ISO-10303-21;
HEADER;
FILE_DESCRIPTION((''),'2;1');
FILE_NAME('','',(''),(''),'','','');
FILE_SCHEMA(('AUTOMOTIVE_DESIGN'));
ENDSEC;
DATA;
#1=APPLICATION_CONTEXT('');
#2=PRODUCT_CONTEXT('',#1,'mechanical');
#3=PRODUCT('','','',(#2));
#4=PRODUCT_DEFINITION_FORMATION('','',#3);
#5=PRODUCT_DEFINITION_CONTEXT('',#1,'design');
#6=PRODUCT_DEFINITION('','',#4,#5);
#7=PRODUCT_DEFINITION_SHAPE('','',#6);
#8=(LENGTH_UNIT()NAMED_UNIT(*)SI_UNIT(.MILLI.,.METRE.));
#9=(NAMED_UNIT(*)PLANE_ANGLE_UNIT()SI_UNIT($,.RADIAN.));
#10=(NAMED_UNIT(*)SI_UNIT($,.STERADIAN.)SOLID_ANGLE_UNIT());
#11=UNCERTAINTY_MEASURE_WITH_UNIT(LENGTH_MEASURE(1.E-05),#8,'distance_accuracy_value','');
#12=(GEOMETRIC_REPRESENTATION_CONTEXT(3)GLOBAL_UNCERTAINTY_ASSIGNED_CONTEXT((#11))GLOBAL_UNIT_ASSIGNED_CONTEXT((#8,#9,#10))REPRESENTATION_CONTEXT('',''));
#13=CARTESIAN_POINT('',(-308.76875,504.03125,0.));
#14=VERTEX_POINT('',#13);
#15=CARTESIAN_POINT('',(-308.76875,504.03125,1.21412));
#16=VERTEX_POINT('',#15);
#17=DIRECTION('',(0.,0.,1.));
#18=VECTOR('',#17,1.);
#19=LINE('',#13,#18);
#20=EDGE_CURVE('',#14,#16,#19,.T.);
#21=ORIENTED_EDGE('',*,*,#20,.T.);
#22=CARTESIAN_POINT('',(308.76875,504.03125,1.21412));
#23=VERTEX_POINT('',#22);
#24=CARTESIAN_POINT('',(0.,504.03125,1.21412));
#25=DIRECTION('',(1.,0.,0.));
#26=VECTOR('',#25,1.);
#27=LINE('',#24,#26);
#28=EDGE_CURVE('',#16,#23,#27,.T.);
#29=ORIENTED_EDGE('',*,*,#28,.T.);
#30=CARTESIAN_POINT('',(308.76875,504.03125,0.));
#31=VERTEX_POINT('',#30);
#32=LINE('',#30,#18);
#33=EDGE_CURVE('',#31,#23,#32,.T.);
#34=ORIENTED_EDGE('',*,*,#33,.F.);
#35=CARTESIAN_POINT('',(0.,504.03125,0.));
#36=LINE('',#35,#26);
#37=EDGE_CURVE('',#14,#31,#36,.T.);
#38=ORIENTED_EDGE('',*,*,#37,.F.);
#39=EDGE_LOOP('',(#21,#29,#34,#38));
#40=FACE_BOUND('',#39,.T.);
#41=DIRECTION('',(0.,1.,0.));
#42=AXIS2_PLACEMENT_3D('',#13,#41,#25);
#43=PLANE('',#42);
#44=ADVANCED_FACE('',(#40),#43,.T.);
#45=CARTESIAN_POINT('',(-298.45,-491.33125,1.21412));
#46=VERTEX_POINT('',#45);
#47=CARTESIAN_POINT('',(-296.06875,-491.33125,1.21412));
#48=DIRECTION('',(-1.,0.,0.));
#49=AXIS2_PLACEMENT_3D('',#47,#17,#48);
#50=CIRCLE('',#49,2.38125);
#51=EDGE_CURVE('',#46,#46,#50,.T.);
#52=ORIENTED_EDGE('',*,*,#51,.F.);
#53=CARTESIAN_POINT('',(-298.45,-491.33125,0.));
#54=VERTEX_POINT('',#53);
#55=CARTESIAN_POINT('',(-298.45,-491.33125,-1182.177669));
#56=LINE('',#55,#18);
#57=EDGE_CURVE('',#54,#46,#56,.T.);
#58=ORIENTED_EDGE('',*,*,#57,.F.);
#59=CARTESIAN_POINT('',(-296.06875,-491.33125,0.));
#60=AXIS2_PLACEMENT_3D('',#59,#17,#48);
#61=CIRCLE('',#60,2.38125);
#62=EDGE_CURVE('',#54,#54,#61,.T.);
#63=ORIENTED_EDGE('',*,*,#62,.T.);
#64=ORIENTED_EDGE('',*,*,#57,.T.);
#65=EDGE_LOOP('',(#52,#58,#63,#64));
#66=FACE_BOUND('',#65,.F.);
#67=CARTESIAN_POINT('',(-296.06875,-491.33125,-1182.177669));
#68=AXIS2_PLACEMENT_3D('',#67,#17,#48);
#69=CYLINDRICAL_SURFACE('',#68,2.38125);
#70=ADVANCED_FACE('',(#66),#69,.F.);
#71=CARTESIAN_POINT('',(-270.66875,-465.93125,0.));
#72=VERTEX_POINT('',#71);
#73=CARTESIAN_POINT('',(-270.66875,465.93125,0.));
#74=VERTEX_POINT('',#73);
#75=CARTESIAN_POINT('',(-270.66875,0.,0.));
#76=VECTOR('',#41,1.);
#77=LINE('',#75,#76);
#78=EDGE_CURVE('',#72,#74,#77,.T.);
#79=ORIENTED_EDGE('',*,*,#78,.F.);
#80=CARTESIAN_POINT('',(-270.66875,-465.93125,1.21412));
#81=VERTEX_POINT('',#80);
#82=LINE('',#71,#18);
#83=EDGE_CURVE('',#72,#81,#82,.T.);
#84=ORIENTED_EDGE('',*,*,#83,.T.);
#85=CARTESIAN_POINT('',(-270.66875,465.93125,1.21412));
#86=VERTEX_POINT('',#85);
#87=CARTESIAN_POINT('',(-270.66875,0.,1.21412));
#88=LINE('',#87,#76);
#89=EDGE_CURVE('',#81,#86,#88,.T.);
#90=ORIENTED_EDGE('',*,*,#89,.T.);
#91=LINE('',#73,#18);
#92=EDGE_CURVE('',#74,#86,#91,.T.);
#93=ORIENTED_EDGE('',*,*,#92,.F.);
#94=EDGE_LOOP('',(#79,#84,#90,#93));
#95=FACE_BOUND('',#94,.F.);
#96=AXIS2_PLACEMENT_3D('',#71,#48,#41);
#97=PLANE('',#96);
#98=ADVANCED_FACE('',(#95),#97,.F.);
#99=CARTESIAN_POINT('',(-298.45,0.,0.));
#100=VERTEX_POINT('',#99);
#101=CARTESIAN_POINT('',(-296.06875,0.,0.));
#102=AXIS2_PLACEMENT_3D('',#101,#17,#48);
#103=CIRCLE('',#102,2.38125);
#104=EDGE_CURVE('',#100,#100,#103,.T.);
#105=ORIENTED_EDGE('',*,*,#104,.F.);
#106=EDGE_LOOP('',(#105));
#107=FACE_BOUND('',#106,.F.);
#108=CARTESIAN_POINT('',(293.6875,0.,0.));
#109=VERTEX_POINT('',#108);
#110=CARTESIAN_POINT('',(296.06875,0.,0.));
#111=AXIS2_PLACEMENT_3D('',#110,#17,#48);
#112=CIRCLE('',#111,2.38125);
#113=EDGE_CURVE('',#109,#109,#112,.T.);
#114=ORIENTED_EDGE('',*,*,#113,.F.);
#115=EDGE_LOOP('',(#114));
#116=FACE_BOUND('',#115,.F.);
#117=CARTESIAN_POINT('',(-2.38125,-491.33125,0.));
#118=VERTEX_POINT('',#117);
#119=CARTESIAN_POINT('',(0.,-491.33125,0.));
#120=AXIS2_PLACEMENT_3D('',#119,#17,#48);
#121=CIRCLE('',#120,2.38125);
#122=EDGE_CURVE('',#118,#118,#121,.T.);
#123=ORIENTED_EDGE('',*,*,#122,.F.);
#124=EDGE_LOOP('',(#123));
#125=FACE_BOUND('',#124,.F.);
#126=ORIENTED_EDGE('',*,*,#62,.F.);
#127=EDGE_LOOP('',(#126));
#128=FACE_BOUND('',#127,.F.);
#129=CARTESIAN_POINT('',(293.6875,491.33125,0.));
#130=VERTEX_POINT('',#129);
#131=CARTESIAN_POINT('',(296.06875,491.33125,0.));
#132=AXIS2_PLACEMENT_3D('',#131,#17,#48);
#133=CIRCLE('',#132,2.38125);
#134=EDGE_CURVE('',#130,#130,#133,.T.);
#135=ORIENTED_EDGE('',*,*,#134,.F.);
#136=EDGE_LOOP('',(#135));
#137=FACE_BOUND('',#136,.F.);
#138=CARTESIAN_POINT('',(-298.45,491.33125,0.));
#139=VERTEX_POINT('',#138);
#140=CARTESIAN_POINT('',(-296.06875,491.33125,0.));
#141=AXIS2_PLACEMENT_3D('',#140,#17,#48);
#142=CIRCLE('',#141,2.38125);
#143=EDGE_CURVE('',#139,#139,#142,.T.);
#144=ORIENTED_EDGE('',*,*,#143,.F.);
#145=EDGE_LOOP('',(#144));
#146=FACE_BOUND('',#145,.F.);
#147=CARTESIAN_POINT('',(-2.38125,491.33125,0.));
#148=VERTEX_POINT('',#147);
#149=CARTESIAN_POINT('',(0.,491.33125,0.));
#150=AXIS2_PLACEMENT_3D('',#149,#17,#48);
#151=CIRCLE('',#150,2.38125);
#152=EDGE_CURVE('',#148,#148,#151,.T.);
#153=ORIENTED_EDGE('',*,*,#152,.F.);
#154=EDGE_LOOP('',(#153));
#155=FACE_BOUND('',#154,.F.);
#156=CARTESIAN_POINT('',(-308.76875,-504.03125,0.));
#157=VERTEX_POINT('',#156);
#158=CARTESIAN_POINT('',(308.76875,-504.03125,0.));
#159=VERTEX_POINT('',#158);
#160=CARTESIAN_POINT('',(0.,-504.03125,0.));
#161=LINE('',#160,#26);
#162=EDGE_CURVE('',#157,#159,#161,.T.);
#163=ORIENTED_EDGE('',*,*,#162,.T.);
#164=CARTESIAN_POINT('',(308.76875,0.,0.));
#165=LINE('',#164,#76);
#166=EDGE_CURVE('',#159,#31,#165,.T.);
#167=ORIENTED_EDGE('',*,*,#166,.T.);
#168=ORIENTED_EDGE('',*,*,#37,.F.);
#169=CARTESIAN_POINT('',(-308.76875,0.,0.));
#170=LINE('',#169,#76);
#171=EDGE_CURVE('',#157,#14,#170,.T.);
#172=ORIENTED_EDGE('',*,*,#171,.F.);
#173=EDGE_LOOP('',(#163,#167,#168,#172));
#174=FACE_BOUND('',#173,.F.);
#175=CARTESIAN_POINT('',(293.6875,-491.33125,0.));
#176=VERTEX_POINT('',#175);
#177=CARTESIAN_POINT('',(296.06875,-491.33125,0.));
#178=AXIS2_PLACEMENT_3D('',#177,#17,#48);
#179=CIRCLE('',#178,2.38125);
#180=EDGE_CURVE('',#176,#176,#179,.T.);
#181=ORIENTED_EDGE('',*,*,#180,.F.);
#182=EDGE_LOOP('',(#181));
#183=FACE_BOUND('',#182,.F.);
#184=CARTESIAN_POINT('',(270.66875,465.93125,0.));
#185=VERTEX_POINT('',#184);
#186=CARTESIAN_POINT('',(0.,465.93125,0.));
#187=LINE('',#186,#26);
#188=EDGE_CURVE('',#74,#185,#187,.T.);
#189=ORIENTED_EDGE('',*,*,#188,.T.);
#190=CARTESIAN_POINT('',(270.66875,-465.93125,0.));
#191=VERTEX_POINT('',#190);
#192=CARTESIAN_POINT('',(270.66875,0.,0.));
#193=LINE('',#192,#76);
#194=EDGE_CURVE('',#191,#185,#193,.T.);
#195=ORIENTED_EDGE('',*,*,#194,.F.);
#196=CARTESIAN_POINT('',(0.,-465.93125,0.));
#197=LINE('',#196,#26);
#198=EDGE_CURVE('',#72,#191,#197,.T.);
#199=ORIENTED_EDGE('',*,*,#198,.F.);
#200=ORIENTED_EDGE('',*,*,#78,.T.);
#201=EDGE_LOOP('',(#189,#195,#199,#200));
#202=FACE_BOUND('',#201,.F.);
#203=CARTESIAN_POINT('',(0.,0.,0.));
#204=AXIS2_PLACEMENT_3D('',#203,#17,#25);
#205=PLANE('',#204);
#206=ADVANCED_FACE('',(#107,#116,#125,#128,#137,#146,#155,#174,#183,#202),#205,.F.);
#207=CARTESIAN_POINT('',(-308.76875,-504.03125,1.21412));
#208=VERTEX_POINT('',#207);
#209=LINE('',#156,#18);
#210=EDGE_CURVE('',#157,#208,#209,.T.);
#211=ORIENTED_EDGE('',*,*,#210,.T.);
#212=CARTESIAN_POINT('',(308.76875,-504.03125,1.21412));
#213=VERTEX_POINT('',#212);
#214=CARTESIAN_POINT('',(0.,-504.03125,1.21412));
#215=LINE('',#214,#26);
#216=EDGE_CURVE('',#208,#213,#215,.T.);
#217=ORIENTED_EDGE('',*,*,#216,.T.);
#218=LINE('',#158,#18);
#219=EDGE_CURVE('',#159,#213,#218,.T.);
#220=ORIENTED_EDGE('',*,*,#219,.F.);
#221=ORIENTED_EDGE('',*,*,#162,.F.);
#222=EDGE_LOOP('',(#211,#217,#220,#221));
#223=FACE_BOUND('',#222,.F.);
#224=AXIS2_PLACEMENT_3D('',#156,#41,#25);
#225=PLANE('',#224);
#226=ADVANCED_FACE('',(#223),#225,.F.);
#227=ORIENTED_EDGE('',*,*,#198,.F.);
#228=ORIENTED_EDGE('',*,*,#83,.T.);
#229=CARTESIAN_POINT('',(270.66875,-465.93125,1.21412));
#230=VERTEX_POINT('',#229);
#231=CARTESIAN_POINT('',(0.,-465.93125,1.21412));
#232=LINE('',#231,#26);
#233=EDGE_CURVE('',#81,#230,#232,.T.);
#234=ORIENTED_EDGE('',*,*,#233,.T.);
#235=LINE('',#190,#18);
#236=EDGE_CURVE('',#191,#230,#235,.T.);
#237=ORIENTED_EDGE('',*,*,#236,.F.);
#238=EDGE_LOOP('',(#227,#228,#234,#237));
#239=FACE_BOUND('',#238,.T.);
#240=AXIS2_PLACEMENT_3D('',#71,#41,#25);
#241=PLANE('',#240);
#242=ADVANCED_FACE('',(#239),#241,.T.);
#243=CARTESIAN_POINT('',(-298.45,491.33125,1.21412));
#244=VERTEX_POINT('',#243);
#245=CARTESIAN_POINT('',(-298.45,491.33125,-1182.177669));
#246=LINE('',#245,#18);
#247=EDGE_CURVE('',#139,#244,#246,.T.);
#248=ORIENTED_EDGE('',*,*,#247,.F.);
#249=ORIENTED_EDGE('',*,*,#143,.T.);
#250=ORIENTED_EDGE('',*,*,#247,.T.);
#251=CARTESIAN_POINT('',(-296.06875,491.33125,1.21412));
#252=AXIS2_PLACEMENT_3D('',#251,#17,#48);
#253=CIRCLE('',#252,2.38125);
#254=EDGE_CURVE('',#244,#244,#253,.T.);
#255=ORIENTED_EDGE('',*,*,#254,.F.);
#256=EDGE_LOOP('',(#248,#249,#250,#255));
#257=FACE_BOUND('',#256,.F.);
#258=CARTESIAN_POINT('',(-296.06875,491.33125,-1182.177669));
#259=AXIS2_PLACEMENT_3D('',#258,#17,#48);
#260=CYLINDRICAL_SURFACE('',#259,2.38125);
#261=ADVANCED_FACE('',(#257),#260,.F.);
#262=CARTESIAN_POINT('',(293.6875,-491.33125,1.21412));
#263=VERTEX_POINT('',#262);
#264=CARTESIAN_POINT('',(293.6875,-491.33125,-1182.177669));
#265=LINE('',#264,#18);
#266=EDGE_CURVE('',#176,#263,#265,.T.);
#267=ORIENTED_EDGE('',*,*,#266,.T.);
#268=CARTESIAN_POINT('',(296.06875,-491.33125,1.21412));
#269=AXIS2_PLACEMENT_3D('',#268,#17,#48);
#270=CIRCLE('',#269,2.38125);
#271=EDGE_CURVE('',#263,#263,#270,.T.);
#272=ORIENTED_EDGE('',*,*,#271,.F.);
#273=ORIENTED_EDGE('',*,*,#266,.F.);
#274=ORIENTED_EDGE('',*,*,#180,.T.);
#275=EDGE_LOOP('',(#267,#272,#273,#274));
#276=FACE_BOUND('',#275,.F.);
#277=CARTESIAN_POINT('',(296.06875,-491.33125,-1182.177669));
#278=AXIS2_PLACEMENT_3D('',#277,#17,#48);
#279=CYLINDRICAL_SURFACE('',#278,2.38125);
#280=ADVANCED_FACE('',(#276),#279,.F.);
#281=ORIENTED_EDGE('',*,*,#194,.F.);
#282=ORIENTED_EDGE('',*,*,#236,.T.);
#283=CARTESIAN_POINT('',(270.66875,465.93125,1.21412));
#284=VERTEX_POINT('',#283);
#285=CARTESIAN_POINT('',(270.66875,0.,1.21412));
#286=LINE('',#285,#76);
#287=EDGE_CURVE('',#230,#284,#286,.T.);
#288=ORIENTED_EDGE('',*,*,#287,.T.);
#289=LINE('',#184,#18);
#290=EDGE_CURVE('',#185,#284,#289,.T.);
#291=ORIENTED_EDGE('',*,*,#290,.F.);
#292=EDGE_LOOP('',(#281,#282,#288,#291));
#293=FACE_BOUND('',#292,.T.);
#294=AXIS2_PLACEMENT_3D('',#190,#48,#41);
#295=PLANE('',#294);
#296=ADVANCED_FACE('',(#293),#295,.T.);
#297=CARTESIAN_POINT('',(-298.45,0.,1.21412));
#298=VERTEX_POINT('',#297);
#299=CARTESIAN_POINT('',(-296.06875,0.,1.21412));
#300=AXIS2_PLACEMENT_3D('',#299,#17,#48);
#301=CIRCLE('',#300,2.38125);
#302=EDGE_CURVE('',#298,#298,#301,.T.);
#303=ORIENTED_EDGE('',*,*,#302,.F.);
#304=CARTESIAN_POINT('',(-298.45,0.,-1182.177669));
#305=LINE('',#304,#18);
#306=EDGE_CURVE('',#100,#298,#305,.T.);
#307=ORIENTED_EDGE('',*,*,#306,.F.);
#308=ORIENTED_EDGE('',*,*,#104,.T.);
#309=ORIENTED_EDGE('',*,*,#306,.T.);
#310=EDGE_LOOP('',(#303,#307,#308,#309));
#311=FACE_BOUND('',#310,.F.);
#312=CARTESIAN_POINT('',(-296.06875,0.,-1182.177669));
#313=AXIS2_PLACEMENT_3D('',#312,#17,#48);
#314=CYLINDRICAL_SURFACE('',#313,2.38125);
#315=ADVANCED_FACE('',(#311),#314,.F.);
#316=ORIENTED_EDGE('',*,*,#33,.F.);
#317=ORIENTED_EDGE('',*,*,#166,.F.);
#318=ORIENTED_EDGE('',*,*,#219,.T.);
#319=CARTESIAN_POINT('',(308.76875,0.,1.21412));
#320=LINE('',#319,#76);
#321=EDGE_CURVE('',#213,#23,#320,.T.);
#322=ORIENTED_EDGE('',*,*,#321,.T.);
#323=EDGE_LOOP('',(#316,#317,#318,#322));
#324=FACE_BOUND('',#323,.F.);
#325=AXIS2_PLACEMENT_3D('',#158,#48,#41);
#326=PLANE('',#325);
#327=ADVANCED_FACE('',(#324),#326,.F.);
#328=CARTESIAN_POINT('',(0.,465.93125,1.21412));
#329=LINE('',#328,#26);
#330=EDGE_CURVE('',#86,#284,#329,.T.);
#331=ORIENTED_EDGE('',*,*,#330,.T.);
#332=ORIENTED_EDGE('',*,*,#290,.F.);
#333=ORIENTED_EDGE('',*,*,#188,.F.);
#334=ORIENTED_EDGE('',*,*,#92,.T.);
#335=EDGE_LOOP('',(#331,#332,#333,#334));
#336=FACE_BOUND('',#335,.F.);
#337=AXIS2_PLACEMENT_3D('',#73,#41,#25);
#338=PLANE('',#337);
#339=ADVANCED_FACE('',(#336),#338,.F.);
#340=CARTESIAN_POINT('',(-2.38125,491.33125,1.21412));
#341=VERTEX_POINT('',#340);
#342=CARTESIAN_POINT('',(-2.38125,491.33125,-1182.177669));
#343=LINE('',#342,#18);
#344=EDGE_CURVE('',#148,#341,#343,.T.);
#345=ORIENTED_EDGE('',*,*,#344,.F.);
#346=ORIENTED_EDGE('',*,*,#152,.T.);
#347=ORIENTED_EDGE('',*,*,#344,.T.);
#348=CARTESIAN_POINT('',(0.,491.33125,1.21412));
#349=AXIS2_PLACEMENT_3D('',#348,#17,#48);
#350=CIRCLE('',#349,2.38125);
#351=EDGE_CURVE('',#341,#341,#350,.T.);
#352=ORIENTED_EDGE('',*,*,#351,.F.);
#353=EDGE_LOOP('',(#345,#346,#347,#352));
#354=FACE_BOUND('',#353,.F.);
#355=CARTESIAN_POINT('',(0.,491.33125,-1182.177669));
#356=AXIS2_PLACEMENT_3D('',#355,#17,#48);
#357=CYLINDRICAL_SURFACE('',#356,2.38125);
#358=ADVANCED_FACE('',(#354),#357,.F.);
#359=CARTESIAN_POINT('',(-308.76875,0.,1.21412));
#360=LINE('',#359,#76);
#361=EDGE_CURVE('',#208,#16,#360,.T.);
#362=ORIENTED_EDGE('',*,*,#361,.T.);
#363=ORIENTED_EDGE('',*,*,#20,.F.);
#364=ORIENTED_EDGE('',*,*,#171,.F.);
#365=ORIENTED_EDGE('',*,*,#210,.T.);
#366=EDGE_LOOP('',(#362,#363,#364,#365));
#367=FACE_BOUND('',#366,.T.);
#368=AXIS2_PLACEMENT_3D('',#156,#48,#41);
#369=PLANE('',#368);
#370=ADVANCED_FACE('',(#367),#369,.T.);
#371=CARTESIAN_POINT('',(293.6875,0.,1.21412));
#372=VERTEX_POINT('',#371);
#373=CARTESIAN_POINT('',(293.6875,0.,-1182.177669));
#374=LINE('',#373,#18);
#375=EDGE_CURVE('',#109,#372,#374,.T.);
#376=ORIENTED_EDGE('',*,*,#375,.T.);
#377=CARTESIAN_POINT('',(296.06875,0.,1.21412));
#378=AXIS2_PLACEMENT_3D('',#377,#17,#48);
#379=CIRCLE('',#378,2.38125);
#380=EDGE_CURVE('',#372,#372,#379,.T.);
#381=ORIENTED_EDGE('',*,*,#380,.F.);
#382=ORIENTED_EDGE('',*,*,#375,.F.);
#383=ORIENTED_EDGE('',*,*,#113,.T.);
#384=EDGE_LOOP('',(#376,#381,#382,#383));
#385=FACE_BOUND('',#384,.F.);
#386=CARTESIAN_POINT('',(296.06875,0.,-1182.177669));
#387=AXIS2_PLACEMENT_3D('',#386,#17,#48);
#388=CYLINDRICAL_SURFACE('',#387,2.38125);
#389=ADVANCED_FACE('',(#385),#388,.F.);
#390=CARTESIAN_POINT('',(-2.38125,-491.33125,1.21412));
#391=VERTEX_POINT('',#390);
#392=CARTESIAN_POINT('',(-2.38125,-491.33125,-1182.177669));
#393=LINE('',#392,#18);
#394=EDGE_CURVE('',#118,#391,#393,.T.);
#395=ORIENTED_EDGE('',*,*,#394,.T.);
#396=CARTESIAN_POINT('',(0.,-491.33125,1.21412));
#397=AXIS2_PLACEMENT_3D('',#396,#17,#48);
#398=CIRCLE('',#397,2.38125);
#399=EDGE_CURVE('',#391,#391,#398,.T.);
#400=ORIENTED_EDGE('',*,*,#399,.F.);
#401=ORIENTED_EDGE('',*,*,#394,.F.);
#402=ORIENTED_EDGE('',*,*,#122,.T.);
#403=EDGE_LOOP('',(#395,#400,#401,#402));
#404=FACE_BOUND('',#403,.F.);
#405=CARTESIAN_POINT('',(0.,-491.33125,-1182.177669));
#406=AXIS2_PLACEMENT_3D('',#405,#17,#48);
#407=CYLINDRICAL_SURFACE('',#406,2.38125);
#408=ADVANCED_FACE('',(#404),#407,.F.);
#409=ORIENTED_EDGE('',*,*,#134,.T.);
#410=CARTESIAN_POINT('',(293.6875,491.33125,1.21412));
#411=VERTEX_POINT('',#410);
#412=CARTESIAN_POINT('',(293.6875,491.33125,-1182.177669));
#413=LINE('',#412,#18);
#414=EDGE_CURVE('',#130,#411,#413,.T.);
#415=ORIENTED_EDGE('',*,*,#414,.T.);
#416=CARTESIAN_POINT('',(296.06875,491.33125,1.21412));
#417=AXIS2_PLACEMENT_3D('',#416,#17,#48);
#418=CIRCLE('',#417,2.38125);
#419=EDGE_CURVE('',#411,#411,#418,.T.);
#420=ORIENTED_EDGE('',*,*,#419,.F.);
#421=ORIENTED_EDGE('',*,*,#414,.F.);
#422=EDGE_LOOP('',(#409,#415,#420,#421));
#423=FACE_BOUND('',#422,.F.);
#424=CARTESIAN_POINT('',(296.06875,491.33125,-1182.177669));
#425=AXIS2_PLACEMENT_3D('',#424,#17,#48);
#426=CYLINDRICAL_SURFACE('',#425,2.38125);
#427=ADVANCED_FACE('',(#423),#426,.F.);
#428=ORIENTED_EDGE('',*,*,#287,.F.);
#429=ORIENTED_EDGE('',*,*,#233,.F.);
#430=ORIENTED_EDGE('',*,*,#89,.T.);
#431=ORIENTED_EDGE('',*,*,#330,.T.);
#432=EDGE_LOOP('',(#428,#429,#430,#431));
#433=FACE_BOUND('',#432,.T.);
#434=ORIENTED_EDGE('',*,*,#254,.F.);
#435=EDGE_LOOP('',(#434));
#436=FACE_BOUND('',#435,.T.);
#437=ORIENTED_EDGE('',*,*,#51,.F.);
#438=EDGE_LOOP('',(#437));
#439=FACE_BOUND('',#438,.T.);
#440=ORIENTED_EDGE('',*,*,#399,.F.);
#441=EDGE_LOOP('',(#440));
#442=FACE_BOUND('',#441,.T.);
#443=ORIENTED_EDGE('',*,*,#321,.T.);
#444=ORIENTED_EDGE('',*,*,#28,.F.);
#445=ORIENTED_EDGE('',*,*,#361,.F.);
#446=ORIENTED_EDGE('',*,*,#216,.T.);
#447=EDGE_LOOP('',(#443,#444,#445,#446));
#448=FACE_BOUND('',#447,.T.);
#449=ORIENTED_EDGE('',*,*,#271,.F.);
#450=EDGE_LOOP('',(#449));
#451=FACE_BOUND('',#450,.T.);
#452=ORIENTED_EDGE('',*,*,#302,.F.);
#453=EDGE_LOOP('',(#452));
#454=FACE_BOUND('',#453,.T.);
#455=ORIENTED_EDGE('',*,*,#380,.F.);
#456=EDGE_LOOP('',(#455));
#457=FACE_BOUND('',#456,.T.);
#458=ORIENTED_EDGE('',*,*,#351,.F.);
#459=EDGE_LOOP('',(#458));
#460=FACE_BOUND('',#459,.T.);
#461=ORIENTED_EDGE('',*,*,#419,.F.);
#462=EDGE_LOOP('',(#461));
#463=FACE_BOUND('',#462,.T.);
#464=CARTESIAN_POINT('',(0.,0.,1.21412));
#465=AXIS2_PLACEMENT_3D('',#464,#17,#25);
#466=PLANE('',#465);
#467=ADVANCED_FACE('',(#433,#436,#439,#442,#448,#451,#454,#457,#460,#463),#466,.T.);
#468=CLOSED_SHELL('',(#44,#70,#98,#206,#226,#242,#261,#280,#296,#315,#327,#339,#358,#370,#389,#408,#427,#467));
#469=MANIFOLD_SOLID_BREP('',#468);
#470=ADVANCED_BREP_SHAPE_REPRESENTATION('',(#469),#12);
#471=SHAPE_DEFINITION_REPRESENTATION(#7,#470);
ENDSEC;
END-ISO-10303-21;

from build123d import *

# Parameters (mm, degrees)
F0_W     = 617.5375
F0_H     = 1008.0625
F0_W_2   = 541.3375
F0_H_2   = 931.8625
F1_DEPTH = 1.21412
F3_D     = 4.7625


with BuildPart() as f1:
    # F0 (on Top) → F1 (new body)
    with BuildSketch(Plane.XY):
        Rectangle(F0_W, F0_H)
        Rectangle(F0_W_2, F0_H_2, mode=Mode.SUBTRACT)
    extrude(amount=F1_DEPTH)

    # F3 (through all)
    with Locations(Plane(origin=(0, 0, 0), x_dir=(1, 0, 0), z_dir=(0, 0, -1))):
        with Locations((-296.06875, 491.33125), (0, 491.33125), (296.06875, 491.33125), (296.06875, 0), (296.06875, -491.33125), (0, -491.33125), (-296.06875, -491.33125), (-296.06875, 0)):
            Hole(F3_D / 2)


solid = f1.part
